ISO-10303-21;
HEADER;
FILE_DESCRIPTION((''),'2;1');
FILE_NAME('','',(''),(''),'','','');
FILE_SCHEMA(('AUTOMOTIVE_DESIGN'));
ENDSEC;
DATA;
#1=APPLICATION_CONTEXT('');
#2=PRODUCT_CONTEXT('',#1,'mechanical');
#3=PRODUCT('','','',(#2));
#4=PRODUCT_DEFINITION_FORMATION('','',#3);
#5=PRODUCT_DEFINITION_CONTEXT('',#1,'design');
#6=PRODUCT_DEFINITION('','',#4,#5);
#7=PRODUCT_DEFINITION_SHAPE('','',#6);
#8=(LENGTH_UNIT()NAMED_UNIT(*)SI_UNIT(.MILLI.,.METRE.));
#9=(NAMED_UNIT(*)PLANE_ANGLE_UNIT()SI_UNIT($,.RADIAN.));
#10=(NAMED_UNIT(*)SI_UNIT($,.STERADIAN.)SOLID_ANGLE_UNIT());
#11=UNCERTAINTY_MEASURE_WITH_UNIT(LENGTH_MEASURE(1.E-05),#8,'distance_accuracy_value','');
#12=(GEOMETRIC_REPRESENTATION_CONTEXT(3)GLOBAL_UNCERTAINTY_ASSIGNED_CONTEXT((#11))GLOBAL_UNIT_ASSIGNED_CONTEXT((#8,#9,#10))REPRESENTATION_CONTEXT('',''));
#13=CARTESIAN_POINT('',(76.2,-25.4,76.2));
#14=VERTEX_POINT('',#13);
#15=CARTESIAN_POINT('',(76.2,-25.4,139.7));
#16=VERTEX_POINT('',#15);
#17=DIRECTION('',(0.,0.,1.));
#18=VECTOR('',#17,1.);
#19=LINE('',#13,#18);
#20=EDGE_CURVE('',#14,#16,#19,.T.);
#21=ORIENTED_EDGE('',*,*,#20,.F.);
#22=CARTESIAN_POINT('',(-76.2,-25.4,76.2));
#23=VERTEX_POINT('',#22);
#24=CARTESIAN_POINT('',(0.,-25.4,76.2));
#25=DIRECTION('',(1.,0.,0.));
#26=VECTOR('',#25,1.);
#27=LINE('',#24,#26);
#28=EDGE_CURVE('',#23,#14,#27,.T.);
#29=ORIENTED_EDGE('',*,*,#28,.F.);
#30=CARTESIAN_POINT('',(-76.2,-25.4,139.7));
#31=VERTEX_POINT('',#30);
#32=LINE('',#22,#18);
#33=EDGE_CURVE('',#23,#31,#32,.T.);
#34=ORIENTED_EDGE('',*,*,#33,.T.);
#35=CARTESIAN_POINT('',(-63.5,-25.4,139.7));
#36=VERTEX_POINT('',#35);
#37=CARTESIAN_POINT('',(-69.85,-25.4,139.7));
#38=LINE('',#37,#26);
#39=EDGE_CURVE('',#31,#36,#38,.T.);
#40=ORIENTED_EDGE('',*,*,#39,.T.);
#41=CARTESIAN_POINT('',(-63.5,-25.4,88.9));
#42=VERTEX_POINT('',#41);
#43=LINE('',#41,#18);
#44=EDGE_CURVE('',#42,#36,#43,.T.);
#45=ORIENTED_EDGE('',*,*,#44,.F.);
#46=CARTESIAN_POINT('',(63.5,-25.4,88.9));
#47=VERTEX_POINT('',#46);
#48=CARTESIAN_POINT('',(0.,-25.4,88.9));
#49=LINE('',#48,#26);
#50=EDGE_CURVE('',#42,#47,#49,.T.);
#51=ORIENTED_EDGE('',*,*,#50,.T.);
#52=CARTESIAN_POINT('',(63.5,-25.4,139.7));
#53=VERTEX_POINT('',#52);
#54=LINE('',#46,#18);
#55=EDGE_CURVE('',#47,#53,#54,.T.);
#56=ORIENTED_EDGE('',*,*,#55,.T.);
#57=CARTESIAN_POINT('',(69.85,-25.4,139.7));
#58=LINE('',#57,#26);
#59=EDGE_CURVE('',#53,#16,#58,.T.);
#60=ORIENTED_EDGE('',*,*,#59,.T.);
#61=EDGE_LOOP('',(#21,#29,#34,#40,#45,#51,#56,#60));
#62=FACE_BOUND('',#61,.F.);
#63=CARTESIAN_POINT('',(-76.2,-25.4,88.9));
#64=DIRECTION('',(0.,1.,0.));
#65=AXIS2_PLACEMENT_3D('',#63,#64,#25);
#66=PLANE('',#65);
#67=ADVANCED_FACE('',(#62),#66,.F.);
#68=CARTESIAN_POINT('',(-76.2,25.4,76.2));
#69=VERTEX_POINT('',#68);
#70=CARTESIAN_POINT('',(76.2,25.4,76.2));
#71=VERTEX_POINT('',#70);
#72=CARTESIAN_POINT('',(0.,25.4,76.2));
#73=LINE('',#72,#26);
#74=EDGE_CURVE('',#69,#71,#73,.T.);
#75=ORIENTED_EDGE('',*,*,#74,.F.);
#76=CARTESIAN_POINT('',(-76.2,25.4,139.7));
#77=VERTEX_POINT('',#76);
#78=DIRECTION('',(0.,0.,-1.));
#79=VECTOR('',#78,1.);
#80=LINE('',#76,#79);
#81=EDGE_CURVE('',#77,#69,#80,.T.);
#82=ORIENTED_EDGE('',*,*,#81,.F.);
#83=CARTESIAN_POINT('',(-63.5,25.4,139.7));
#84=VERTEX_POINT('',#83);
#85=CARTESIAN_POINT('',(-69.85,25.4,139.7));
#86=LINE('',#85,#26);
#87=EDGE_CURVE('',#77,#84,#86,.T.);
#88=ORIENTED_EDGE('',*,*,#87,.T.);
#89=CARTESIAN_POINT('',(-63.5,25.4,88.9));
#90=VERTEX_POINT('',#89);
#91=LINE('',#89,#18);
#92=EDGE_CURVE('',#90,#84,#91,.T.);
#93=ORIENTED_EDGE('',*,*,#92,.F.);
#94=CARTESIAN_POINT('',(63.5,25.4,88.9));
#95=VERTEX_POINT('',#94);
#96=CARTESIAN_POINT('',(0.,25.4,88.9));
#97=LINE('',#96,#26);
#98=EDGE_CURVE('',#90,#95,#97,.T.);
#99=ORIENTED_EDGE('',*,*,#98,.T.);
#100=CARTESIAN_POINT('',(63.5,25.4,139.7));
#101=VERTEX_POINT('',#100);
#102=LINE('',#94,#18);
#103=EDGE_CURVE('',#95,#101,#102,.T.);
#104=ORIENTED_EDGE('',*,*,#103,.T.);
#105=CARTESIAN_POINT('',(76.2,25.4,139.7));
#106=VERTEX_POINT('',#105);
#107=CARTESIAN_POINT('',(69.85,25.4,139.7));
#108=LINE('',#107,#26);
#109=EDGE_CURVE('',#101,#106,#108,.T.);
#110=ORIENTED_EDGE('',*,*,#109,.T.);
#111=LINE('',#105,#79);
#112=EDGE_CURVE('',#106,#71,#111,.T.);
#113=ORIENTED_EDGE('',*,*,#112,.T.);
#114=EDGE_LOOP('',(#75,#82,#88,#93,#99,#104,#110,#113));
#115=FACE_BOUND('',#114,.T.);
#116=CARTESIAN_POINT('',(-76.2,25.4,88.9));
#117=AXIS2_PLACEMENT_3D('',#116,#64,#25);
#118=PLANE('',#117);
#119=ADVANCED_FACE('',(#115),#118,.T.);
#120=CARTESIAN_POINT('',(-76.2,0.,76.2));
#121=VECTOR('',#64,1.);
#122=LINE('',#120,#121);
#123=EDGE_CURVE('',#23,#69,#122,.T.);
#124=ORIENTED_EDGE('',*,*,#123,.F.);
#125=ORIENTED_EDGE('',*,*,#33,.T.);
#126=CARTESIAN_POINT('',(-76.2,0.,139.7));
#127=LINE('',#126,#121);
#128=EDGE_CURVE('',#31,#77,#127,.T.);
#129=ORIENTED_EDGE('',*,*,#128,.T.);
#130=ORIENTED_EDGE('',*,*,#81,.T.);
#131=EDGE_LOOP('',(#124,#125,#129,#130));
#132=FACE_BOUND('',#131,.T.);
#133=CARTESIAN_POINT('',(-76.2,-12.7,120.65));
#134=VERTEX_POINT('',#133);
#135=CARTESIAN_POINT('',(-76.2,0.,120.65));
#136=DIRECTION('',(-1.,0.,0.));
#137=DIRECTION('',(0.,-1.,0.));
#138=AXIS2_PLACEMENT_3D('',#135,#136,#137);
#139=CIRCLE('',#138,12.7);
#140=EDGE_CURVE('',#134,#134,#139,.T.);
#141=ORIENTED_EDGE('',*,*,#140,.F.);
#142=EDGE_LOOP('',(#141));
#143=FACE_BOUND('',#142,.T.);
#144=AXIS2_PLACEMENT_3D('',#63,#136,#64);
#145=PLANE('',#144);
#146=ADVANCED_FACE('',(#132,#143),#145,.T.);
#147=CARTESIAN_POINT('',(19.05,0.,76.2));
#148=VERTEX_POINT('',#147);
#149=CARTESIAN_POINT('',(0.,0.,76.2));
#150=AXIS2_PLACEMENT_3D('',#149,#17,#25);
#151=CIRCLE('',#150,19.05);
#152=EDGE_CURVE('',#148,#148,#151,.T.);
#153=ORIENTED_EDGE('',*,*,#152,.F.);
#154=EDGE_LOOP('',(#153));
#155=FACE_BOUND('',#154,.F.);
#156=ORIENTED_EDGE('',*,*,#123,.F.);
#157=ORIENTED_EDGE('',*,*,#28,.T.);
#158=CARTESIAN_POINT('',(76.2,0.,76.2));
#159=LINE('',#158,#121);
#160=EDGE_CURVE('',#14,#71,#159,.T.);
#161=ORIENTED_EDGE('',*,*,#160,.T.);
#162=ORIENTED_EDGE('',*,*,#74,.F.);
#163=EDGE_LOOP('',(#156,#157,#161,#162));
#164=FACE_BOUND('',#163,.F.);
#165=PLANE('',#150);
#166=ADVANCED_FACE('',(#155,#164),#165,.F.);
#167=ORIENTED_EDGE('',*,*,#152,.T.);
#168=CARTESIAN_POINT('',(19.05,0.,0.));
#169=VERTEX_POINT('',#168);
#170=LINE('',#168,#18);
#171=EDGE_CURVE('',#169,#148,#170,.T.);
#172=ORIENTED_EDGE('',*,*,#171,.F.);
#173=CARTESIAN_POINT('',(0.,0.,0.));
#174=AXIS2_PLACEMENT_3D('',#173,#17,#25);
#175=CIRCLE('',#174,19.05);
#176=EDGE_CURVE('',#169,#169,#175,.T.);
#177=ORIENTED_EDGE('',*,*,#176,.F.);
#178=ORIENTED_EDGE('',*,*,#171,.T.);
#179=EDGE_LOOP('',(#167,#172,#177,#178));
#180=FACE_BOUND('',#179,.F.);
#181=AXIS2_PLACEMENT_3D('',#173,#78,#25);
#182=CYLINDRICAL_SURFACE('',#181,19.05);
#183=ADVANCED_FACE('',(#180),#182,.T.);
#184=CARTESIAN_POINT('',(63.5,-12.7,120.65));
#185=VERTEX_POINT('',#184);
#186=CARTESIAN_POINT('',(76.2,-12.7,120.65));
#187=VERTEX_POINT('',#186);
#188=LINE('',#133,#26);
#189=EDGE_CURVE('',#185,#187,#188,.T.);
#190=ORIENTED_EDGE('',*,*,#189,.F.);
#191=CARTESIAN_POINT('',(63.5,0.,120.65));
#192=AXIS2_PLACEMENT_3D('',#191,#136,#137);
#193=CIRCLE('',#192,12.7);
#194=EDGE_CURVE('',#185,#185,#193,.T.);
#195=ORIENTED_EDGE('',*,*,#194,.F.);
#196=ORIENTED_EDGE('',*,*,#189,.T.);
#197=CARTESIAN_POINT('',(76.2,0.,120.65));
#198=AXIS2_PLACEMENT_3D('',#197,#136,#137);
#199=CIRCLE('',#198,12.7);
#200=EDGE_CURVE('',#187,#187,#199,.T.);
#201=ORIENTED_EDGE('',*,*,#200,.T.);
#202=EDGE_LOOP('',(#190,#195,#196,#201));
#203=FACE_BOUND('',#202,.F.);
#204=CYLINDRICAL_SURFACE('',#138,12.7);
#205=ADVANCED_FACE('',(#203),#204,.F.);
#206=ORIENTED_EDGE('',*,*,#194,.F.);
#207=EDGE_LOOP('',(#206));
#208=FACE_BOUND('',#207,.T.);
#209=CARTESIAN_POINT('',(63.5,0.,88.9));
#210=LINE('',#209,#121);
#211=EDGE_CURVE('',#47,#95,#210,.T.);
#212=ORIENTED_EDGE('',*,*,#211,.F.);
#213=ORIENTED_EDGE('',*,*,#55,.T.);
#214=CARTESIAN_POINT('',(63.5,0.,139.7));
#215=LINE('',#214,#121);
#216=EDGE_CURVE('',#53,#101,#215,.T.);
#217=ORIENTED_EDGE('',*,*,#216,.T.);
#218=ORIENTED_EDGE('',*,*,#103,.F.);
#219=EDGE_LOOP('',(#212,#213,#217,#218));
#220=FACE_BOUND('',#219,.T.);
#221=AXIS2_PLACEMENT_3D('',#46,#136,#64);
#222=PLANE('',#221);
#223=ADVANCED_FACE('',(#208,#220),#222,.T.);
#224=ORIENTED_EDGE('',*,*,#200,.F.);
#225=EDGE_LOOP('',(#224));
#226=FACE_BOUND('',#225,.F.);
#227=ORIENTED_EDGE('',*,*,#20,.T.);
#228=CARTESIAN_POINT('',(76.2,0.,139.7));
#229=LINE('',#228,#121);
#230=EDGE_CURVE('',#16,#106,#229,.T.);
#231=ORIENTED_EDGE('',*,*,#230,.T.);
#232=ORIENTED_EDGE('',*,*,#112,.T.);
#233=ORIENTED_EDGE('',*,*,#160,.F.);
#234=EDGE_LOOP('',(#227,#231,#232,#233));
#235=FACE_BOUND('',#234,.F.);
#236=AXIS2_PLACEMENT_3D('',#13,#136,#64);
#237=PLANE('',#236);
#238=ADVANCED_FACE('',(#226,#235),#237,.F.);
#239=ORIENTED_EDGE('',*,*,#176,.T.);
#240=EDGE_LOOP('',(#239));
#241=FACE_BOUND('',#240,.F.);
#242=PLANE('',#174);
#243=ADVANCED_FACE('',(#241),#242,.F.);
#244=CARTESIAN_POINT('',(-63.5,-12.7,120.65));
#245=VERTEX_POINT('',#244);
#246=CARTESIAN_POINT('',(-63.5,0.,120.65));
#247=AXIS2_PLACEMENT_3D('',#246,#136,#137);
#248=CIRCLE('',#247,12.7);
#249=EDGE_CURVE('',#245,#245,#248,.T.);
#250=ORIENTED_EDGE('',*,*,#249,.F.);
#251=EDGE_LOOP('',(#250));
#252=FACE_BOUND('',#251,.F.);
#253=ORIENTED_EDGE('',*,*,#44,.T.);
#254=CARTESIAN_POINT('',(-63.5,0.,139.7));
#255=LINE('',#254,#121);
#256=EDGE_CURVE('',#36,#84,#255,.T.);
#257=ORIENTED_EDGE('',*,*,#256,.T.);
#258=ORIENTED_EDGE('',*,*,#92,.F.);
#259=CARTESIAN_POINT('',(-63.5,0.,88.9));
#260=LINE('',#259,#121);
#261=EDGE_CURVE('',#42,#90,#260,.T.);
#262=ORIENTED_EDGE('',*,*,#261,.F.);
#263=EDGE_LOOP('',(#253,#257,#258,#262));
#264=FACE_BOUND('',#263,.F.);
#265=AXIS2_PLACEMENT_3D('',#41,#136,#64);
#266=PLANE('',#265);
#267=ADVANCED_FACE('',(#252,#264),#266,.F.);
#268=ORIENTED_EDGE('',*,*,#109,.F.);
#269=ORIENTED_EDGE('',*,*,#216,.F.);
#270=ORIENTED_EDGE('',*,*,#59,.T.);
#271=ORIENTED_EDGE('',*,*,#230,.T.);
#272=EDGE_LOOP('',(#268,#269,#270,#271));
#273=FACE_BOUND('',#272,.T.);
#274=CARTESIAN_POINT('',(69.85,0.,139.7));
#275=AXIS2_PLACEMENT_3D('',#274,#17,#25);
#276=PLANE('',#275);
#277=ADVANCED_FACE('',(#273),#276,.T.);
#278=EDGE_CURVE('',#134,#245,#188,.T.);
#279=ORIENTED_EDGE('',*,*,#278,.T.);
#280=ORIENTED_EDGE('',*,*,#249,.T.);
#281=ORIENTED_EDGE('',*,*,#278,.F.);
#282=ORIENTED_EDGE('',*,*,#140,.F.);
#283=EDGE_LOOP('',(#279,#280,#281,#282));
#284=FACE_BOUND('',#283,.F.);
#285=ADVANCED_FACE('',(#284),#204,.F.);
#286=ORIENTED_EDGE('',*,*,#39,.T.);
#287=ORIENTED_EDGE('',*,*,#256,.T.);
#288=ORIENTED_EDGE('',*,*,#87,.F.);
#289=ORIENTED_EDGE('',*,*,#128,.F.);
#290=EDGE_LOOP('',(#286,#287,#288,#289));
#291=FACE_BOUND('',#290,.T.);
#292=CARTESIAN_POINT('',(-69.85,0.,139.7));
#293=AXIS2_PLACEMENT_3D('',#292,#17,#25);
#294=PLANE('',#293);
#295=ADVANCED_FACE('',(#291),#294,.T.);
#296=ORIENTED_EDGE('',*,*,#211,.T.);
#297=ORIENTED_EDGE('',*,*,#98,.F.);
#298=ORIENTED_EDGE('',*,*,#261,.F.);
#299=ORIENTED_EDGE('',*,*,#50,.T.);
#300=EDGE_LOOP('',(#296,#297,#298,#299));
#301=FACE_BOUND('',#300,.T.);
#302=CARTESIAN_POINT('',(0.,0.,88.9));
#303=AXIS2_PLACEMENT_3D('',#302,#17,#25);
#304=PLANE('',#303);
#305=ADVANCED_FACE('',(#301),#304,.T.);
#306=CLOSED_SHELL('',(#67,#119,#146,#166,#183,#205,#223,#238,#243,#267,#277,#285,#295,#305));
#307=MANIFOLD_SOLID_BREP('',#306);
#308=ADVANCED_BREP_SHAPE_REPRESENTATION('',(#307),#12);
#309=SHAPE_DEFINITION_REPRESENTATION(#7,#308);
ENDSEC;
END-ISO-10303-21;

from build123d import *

# Parameters (mm, degrees)
F0_R     = 19.05
F1_DEPTH = 76.2
F2_W     = 152.4
F2_H     = 50.8
F2_R     = 19.05
F3_DEPTH = 12.7
F4_W     = 12.7
F4_H     = 50.8
F5_DEPTH = 50.8
F6_R     = 12.7
F7_DEPTH = 304.8


with BuildPart() as f1:
    # F0 (on Top) → F1 (new body)
    with BuildSketch(Plane.XY):
        Circle(F0_R)
    extrude(amount=F1_DEPTH)

    # F2 (on face) → F3 (join)
    with BuildSketch(Plane.XY.offset(76.2)):
        Rectangle(F2_W, F2_H)
        Circle(F2_R, mode=Mode.SUBTRACT)
        Circle(F2_R)
    extrude(amount=F3_DEPTH)

    # F4 (on face) → F5 (join)
    with BuildSketch(Plane.XY.offset(88.9)):
        with Locations((-69.85, 0)):
            Rectangle(F4_W, F4_H)
        with Locations((69.85, 0)):
            Rectangle(F4_W, F4_H)
    extrude(amount=F5_DEPTH)

    # F6 (on face) → F7 (cut)
    with BuildSketch(Plane(origin=(-76.2, 0, 0), x_dir=(0, -1, 0), z_dir=(-1, 0, 0))):
        with Locations((0, 120.65)):
            Circle(F6_R)
    extrude(amount=-F7_DEPTH, mode=Mode.SUBTRACT)


solid = f1.part
